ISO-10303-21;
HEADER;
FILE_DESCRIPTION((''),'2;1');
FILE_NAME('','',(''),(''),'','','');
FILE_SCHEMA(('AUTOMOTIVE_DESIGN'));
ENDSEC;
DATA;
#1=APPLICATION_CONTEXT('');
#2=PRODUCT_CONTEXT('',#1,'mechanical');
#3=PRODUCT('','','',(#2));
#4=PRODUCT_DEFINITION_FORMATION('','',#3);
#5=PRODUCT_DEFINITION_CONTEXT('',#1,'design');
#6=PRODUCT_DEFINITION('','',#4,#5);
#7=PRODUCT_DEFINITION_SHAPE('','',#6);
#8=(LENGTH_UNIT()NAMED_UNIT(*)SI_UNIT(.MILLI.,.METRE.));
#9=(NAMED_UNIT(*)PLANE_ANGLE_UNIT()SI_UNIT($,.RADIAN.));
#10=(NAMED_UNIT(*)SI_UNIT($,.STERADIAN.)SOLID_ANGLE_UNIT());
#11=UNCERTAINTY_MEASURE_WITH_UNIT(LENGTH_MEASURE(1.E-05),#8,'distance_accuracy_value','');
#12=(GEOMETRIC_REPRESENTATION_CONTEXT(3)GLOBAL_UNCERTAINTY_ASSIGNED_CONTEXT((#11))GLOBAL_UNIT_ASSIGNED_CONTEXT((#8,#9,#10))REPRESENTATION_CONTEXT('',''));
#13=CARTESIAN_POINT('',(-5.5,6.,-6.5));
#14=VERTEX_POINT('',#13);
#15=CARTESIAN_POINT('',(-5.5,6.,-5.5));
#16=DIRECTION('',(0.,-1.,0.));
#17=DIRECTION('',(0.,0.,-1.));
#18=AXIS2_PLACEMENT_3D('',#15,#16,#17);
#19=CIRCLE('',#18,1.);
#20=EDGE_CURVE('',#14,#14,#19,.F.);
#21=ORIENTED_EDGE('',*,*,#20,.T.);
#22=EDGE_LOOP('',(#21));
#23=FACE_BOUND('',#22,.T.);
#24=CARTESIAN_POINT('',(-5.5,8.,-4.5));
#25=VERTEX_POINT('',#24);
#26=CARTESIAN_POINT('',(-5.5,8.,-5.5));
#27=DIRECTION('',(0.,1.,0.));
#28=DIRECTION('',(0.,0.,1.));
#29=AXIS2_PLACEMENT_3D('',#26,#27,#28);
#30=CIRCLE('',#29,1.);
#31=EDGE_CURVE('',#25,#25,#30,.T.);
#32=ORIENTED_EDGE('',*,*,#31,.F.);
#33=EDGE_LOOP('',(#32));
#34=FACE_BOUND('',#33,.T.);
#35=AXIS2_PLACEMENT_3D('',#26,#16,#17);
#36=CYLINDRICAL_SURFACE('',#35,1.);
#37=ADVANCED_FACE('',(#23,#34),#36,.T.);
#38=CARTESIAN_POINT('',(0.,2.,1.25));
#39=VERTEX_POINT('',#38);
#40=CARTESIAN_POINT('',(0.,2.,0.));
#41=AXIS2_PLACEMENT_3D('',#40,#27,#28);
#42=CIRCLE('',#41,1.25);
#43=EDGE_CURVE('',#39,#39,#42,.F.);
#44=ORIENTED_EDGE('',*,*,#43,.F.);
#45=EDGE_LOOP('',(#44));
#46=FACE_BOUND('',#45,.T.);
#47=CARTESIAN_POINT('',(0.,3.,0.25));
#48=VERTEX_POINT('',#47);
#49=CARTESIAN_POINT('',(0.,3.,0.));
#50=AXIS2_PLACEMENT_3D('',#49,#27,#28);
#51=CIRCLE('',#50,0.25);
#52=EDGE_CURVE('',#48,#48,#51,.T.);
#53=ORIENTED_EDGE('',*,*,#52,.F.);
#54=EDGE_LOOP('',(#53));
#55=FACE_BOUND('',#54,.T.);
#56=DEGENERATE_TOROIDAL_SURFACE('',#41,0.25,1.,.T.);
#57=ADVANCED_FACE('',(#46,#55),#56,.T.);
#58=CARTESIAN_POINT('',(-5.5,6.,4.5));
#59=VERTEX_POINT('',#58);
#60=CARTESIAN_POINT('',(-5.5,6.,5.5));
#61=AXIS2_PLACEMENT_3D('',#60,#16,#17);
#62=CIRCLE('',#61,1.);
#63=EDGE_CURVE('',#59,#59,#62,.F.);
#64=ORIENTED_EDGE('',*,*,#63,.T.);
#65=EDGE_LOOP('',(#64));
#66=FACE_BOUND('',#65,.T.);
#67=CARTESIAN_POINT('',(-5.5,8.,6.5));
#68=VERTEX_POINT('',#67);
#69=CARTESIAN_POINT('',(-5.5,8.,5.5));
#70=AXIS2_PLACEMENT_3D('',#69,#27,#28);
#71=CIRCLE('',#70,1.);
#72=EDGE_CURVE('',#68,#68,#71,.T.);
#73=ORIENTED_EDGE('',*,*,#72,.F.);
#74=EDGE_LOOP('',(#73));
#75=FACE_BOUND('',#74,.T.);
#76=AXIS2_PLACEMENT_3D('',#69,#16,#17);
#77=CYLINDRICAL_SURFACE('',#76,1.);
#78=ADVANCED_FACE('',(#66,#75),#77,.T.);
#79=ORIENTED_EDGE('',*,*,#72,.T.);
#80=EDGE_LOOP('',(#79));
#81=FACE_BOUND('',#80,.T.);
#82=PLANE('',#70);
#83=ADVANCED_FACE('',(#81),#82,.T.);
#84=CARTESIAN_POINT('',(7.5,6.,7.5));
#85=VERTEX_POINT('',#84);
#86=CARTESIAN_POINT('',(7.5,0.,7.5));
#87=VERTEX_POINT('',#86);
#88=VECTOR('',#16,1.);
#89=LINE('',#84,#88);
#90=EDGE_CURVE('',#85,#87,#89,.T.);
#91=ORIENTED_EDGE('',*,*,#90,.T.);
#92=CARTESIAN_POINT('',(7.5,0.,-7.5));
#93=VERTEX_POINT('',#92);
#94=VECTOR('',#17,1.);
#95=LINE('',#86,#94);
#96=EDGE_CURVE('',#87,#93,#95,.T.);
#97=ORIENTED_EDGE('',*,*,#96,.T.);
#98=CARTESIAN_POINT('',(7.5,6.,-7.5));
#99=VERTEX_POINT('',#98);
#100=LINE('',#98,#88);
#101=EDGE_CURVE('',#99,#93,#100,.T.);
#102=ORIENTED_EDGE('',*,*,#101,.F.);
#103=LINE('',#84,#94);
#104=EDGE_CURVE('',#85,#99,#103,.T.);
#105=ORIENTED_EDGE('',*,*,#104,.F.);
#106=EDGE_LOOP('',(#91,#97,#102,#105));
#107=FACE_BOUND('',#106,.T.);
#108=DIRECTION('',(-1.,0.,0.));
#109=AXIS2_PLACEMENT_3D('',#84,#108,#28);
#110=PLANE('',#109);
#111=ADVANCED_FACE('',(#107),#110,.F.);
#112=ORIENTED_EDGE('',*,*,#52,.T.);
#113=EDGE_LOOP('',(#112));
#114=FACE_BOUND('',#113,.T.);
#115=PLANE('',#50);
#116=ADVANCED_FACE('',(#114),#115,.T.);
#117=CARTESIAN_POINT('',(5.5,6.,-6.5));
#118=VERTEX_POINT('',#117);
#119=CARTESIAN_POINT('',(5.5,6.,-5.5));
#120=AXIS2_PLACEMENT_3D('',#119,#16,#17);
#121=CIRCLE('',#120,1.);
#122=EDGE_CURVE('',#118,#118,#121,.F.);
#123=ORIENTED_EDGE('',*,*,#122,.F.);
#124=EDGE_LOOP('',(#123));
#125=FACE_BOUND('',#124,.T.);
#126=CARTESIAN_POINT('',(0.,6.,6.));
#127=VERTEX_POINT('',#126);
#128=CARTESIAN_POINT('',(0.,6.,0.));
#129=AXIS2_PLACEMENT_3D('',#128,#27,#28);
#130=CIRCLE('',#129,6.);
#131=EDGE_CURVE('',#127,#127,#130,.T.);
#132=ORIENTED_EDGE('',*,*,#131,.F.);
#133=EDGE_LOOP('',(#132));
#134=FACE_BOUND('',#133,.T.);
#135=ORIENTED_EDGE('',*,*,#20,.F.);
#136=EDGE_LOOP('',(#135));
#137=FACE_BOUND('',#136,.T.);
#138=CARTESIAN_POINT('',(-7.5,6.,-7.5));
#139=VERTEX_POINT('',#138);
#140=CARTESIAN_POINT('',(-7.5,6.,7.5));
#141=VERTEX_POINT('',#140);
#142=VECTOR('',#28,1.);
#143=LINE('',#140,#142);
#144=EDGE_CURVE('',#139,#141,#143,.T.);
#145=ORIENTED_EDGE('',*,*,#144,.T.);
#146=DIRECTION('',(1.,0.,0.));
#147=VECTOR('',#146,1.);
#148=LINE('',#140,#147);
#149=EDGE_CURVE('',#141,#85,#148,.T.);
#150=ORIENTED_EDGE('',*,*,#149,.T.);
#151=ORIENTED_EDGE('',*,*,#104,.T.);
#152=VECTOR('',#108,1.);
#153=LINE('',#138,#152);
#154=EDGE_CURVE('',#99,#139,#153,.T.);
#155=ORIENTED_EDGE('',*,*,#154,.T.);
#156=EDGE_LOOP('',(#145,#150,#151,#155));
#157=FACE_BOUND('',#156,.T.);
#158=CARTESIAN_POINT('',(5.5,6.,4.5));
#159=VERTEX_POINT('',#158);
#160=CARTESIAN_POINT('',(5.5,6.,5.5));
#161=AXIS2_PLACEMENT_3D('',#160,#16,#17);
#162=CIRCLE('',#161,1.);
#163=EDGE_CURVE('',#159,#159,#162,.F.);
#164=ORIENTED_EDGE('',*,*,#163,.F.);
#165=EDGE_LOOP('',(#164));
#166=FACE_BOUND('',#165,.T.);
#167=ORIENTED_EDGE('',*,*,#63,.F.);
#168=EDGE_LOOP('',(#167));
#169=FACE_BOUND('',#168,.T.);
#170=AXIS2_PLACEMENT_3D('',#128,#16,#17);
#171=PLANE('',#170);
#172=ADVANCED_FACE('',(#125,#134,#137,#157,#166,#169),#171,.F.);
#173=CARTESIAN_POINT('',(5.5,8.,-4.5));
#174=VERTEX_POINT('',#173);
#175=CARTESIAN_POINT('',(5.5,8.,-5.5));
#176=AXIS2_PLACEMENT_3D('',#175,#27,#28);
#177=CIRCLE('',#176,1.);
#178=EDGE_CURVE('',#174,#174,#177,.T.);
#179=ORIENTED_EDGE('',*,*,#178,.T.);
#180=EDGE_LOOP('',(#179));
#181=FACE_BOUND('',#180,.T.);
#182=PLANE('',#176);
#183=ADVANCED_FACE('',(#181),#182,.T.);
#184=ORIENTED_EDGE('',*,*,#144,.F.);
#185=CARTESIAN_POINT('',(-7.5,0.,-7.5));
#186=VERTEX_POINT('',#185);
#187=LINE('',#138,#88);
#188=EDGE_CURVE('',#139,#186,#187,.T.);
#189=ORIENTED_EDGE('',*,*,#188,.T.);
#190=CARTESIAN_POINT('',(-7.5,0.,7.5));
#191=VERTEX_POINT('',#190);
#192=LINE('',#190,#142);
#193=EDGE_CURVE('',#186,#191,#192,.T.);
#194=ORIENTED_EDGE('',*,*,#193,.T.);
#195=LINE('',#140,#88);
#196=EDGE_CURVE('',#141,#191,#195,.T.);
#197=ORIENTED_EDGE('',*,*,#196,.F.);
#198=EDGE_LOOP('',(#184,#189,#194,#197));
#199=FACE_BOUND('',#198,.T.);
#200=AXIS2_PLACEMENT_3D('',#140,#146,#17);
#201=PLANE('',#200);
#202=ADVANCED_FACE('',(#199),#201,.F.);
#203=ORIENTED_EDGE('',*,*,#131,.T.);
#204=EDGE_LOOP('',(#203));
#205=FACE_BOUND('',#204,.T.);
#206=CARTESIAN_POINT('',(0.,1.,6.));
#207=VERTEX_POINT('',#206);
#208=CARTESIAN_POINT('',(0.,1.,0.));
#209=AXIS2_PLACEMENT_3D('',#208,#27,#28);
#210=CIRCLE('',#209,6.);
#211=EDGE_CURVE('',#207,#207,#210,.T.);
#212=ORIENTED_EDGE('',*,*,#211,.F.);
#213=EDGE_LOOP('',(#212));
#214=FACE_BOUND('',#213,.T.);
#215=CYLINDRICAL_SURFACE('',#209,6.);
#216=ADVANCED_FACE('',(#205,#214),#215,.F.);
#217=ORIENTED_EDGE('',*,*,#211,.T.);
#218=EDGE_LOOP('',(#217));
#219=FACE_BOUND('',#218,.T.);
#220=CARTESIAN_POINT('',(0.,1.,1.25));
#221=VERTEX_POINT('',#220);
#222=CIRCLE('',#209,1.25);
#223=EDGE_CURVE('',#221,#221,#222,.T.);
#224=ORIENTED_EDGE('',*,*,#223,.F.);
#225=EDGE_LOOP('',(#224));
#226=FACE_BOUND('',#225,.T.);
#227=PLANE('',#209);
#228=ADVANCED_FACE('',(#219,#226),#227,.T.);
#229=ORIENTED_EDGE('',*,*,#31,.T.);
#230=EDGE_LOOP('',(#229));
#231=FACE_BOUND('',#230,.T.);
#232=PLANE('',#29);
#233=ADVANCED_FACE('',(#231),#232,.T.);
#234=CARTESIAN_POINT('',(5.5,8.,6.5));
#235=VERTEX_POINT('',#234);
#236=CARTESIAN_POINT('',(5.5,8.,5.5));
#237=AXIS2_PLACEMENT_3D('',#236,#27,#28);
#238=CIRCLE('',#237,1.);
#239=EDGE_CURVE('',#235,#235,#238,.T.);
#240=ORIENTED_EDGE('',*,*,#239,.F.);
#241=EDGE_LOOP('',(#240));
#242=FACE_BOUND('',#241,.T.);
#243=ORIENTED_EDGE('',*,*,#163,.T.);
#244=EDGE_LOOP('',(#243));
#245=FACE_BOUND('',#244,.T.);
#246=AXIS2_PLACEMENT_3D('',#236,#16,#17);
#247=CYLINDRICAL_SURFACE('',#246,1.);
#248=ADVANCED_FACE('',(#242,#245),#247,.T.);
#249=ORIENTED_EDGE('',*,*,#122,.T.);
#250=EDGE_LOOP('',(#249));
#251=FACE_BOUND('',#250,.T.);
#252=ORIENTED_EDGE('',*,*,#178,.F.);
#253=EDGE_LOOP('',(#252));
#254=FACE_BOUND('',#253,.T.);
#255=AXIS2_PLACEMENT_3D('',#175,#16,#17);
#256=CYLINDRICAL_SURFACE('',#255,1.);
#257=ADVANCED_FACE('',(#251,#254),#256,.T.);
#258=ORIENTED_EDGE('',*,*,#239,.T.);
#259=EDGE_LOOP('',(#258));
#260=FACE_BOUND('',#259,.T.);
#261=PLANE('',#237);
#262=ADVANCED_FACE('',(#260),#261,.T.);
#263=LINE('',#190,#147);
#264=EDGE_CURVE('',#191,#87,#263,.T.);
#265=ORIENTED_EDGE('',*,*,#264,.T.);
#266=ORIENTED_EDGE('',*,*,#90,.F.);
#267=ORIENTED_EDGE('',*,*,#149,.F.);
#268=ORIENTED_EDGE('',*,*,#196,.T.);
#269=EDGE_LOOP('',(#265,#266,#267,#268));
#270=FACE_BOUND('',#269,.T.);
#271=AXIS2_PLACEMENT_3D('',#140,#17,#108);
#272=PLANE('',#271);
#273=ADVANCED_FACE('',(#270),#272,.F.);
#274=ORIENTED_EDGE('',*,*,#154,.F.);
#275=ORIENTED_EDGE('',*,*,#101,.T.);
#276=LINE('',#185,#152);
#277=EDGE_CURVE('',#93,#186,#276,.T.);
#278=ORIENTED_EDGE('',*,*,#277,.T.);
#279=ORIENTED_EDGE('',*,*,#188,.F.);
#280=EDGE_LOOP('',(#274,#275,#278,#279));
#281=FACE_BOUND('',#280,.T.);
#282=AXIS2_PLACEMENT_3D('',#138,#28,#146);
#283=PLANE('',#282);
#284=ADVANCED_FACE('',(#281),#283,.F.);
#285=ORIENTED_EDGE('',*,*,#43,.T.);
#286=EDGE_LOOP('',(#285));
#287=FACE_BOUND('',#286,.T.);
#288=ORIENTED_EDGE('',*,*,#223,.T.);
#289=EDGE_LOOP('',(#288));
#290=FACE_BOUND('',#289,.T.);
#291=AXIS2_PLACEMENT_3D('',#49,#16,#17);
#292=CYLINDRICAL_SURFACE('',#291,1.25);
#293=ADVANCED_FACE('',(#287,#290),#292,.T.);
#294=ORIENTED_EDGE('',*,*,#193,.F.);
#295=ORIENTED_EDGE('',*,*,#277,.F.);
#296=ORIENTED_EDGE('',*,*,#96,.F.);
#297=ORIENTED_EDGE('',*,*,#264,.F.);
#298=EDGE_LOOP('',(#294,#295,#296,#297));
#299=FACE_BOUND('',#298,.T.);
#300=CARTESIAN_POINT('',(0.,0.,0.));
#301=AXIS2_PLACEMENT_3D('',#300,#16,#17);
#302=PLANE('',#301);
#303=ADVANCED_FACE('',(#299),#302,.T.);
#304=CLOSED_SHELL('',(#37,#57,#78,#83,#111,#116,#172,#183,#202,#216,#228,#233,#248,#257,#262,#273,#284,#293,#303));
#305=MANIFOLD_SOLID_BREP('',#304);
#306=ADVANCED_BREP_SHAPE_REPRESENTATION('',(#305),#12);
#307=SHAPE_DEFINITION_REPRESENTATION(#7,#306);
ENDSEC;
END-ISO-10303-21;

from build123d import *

# Parameters (mm, degrees)
SKETCH1_W           = 15
SKETCH1_H           = 15
BOSS_EXTRUDE1_DEPTH = 6
SKETCH2_R           = 6
CUT_EXTRUDE1_DEPTH  = 5
SKETCH3_R           = 1.25
BOSS_EXTRUDE2_DEPTH = 2
FILLET1_R           = 1
SKETCH4_R           = 1
BOSS_EXTRUDE3_DEPTH = 2


with BuildPart() as part:
    # Sketch1 → Boss-Extrude1 (new body)
    with BuildSketch(Plane(origin=(0, 0, 0), x_dir=(1, 0, 0), z_dir=(0, 1, 0))):
        Rectangle(SKETCH1_W, SKETCH1_H)
    extrude(amount=BOSS_EXTRUDE1_DEPTH)

    # Sketch2 → Cut-Extrude1 (cut)
    with BuildSketch(Plane(origin=(0, 6, 0), x_dir=(1, 0, 0), z_dir=(0, 1, 0))):
        Circle(SKETCH2_R)
    extrude(amount=-CUT_EXTRUDE1_DEPTH, mode=Mode.SUBTRACT)

    # Sketch3 → Boss-Extrude2 (add)
    with BuildSketch(Plane(origin=(0, 1, 0), x_dir=(1, 0, 0), z_dir=(0, 1, 0))):
        Circle(SKETCH3_R)
    extrude(amount=BOSS_EXTRUDE2_DEPTH)

    # Fillet1
    fillet1_edges = [part.edges().sort_by_distance(p)[0] for p in [
        (-1.25, 3, 0),
    ]]
    fillet(fillet1_edges, radius=FILLET1_R)

    # Sketch4 → Boss-Extrude3 (add)
    with BuildSketch(Plane(origin=(0, 6, 0), x_dir=(1, 0, 0), z_dir=(0, 1, 0))):
        with Locations((-5.5, 5.5)):
            Circle(SKETCH4_R)
        with Locations((5.5, 5.5)):
            Circle(SKETCH4_R)
        with Locations((-5.5, -5.5)):
            Circle(SKETCH4_R)
        with Locations((5.5, -5.5)):
            Circle(SKETCH4_R)
    extrude(amount=BOSS_EXTRUDE3_DEPTH)


solid = part.part
